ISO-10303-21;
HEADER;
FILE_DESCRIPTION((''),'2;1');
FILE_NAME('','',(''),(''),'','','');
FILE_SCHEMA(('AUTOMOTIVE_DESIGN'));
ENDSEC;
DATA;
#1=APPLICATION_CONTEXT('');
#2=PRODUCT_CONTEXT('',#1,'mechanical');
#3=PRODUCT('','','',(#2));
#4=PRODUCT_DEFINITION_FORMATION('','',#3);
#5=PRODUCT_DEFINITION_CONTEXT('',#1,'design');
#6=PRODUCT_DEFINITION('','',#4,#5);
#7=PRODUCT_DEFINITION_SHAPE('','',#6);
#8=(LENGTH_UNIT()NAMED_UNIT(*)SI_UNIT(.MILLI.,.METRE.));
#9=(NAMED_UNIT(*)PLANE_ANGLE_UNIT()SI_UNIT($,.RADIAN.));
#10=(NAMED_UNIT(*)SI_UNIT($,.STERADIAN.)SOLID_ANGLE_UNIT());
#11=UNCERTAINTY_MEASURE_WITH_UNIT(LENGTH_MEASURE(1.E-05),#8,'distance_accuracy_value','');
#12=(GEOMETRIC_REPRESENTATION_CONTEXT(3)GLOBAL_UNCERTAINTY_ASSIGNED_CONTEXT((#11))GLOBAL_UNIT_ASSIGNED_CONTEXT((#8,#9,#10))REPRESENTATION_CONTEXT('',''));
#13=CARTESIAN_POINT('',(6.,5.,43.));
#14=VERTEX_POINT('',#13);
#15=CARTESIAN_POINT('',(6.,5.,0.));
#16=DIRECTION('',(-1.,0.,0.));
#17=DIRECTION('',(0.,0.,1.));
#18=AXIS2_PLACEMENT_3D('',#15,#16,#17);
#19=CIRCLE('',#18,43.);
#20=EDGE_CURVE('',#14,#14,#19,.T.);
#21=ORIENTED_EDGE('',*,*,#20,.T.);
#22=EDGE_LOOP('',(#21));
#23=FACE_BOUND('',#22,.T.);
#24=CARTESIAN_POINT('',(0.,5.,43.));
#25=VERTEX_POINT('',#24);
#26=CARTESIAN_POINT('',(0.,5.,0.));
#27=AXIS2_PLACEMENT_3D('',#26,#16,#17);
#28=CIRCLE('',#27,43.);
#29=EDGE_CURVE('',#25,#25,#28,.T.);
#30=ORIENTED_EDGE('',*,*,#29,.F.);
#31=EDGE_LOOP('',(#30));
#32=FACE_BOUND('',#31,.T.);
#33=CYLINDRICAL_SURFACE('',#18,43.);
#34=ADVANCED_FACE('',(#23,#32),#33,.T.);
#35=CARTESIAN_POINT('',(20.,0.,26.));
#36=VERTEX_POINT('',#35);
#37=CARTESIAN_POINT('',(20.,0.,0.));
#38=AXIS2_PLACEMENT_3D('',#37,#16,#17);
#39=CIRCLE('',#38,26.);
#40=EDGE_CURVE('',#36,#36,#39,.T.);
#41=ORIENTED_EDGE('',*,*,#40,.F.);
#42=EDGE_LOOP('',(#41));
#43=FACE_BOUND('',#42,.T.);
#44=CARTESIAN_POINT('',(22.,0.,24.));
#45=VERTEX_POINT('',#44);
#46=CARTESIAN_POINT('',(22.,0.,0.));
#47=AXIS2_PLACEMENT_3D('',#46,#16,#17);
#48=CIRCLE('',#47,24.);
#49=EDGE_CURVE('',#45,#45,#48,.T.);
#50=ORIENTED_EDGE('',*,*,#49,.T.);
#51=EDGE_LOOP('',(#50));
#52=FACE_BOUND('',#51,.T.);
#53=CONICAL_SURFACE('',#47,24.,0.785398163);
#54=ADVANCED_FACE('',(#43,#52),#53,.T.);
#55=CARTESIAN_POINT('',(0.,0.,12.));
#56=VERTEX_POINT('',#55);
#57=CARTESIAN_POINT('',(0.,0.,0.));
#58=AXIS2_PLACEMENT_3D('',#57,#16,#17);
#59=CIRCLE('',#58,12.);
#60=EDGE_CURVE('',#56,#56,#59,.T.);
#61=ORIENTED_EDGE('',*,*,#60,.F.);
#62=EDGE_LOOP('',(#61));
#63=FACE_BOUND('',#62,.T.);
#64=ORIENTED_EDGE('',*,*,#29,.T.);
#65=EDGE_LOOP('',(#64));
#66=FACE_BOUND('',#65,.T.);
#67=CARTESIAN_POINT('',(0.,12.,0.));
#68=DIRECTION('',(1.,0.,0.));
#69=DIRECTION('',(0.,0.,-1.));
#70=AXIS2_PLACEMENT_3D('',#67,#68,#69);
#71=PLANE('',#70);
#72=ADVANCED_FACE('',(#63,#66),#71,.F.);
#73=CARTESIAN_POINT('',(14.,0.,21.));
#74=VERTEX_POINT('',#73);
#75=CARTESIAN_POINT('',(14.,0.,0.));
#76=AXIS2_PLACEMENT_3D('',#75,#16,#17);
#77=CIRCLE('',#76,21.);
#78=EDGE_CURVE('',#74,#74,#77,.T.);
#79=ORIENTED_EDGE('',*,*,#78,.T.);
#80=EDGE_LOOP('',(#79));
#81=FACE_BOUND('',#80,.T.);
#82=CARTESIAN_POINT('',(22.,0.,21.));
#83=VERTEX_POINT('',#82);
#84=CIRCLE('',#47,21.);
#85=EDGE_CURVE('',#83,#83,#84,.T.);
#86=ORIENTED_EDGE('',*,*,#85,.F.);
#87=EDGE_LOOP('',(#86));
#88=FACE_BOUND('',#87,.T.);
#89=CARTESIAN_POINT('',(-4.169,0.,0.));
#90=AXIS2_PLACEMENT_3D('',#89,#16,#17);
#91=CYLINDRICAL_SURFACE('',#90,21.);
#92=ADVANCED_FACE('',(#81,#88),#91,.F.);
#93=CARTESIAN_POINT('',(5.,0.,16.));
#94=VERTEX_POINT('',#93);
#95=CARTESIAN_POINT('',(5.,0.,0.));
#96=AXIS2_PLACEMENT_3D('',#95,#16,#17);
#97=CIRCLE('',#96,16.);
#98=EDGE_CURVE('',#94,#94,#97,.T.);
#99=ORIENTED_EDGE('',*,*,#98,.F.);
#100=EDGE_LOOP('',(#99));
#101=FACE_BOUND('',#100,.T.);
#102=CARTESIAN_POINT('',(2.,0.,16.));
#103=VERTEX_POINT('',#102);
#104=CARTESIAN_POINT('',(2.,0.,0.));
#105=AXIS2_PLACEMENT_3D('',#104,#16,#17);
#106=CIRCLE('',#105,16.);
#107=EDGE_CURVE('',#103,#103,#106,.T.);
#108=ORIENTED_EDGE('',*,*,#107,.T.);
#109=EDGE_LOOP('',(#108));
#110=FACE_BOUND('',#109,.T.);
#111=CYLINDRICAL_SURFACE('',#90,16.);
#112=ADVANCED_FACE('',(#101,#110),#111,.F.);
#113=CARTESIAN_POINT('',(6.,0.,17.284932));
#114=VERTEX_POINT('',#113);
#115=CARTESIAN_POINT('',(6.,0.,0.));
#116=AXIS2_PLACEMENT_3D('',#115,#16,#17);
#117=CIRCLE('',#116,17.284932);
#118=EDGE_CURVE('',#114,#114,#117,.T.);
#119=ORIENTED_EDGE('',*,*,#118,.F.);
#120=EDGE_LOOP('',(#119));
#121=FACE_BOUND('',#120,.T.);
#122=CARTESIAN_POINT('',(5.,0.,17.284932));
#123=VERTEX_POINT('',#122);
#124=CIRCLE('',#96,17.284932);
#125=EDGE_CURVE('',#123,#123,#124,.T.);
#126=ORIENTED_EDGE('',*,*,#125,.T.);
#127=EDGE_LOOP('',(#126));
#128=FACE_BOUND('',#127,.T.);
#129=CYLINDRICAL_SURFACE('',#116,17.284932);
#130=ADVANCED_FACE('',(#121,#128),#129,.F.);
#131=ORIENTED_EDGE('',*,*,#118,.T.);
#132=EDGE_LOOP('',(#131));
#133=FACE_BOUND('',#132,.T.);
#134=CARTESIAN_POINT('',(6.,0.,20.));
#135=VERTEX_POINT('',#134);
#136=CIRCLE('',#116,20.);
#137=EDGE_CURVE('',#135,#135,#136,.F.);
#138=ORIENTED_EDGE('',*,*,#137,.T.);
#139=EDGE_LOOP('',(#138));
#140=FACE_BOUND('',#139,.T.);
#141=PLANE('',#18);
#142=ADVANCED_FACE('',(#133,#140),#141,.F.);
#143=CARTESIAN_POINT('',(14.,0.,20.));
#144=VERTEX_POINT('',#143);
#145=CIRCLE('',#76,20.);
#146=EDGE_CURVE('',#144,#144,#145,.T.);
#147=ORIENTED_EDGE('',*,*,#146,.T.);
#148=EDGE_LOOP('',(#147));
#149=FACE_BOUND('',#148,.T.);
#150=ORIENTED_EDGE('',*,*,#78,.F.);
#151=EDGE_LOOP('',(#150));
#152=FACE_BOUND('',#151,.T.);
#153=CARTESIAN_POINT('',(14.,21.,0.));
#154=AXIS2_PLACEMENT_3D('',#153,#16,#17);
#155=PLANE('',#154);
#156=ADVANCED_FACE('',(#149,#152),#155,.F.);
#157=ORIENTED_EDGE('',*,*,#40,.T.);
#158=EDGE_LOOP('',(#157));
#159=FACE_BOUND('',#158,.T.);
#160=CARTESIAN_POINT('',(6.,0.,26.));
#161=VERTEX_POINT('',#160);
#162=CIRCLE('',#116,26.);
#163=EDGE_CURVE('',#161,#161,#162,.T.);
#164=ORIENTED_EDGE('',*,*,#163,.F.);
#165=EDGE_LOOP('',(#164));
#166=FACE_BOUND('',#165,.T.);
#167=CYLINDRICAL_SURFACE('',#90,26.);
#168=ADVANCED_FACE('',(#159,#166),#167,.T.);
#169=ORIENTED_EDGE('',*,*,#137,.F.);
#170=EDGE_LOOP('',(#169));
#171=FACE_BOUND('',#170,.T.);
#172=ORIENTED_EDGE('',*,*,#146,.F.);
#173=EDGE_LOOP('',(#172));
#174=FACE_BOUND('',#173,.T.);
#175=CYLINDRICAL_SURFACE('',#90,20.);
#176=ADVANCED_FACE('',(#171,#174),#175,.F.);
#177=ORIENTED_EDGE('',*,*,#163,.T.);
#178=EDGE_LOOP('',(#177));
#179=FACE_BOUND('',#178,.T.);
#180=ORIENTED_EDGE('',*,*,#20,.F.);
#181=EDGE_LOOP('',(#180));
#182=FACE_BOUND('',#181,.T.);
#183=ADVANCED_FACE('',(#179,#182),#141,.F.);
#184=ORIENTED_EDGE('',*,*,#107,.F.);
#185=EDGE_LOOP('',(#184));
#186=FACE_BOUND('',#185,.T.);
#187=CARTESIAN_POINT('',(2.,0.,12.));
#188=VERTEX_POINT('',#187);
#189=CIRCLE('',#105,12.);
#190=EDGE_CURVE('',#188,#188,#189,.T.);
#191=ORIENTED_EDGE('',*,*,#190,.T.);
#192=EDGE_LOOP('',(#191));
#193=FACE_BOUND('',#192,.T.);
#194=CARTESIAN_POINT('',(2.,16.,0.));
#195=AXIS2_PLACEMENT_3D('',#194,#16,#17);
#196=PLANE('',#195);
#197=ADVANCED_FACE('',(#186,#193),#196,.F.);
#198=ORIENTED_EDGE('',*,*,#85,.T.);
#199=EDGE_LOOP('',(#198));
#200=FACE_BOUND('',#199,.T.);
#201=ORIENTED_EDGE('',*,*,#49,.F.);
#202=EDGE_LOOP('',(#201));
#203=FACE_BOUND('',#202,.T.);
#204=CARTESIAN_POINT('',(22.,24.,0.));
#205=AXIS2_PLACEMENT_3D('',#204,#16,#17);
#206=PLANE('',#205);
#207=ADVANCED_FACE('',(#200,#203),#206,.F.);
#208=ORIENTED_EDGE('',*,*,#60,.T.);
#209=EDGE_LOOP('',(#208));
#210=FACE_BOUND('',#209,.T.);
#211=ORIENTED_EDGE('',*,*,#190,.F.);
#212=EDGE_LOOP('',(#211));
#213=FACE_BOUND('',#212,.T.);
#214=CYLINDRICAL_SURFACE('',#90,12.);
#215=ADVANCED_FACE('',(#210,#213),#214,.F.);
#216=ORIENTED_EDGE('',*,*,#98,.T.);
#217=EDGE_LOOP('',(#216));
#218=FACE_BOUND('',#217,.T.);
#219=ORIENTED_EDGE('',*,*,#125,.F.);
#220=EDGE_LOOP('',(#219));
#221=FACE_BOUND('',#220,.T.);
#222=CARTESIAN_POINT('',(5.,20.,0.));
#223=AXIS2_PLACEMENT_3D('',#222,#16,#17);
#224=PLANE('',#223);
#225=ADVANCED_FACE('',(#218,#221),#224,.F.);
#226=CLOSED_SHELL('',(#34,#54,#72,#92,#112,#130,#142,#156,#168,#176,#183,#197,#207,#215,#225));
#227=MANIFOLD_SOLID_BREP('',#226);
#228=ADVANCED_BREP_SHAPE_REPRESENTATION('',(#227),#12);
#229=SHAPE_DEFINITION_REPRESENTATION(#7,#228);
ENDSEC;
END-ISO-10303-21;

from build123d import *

# Parameters (mm, degrees)
ESQUISSE2_R        = 43
ESQUISSE2_R_2      = 17.284931715
BOSS_EXTRU_1_DEPTH = 6


with BuildPart() as part:
    # Esquisse1 → Base-Révolution (revolve)
    with BuildSketch(Plane.XY):
        Polygon((0, 12), (0, 26), (20, 26), (22, 24), (22, 21), (14, 21), (14, 20), (5, 20), (5, 16), (2, 16), (2, 12), align=None)
    revolve(axis=Axis((-4.169000368, 0, 0), (1, 0, 0)))

    # Esquisse2 → Boss.-Extru.1 (add)
    with BuildSketch(Plane.ZY):
        with Locations((0, 5)):
            Circle(ESQUISSE2_R)
        Circle(ESQUISSE2_R_2, mode=Mode.SUBTRACT)
    extrude(amount=-BOSS_EXTRU_1_DEPTH)


solid = part.part
